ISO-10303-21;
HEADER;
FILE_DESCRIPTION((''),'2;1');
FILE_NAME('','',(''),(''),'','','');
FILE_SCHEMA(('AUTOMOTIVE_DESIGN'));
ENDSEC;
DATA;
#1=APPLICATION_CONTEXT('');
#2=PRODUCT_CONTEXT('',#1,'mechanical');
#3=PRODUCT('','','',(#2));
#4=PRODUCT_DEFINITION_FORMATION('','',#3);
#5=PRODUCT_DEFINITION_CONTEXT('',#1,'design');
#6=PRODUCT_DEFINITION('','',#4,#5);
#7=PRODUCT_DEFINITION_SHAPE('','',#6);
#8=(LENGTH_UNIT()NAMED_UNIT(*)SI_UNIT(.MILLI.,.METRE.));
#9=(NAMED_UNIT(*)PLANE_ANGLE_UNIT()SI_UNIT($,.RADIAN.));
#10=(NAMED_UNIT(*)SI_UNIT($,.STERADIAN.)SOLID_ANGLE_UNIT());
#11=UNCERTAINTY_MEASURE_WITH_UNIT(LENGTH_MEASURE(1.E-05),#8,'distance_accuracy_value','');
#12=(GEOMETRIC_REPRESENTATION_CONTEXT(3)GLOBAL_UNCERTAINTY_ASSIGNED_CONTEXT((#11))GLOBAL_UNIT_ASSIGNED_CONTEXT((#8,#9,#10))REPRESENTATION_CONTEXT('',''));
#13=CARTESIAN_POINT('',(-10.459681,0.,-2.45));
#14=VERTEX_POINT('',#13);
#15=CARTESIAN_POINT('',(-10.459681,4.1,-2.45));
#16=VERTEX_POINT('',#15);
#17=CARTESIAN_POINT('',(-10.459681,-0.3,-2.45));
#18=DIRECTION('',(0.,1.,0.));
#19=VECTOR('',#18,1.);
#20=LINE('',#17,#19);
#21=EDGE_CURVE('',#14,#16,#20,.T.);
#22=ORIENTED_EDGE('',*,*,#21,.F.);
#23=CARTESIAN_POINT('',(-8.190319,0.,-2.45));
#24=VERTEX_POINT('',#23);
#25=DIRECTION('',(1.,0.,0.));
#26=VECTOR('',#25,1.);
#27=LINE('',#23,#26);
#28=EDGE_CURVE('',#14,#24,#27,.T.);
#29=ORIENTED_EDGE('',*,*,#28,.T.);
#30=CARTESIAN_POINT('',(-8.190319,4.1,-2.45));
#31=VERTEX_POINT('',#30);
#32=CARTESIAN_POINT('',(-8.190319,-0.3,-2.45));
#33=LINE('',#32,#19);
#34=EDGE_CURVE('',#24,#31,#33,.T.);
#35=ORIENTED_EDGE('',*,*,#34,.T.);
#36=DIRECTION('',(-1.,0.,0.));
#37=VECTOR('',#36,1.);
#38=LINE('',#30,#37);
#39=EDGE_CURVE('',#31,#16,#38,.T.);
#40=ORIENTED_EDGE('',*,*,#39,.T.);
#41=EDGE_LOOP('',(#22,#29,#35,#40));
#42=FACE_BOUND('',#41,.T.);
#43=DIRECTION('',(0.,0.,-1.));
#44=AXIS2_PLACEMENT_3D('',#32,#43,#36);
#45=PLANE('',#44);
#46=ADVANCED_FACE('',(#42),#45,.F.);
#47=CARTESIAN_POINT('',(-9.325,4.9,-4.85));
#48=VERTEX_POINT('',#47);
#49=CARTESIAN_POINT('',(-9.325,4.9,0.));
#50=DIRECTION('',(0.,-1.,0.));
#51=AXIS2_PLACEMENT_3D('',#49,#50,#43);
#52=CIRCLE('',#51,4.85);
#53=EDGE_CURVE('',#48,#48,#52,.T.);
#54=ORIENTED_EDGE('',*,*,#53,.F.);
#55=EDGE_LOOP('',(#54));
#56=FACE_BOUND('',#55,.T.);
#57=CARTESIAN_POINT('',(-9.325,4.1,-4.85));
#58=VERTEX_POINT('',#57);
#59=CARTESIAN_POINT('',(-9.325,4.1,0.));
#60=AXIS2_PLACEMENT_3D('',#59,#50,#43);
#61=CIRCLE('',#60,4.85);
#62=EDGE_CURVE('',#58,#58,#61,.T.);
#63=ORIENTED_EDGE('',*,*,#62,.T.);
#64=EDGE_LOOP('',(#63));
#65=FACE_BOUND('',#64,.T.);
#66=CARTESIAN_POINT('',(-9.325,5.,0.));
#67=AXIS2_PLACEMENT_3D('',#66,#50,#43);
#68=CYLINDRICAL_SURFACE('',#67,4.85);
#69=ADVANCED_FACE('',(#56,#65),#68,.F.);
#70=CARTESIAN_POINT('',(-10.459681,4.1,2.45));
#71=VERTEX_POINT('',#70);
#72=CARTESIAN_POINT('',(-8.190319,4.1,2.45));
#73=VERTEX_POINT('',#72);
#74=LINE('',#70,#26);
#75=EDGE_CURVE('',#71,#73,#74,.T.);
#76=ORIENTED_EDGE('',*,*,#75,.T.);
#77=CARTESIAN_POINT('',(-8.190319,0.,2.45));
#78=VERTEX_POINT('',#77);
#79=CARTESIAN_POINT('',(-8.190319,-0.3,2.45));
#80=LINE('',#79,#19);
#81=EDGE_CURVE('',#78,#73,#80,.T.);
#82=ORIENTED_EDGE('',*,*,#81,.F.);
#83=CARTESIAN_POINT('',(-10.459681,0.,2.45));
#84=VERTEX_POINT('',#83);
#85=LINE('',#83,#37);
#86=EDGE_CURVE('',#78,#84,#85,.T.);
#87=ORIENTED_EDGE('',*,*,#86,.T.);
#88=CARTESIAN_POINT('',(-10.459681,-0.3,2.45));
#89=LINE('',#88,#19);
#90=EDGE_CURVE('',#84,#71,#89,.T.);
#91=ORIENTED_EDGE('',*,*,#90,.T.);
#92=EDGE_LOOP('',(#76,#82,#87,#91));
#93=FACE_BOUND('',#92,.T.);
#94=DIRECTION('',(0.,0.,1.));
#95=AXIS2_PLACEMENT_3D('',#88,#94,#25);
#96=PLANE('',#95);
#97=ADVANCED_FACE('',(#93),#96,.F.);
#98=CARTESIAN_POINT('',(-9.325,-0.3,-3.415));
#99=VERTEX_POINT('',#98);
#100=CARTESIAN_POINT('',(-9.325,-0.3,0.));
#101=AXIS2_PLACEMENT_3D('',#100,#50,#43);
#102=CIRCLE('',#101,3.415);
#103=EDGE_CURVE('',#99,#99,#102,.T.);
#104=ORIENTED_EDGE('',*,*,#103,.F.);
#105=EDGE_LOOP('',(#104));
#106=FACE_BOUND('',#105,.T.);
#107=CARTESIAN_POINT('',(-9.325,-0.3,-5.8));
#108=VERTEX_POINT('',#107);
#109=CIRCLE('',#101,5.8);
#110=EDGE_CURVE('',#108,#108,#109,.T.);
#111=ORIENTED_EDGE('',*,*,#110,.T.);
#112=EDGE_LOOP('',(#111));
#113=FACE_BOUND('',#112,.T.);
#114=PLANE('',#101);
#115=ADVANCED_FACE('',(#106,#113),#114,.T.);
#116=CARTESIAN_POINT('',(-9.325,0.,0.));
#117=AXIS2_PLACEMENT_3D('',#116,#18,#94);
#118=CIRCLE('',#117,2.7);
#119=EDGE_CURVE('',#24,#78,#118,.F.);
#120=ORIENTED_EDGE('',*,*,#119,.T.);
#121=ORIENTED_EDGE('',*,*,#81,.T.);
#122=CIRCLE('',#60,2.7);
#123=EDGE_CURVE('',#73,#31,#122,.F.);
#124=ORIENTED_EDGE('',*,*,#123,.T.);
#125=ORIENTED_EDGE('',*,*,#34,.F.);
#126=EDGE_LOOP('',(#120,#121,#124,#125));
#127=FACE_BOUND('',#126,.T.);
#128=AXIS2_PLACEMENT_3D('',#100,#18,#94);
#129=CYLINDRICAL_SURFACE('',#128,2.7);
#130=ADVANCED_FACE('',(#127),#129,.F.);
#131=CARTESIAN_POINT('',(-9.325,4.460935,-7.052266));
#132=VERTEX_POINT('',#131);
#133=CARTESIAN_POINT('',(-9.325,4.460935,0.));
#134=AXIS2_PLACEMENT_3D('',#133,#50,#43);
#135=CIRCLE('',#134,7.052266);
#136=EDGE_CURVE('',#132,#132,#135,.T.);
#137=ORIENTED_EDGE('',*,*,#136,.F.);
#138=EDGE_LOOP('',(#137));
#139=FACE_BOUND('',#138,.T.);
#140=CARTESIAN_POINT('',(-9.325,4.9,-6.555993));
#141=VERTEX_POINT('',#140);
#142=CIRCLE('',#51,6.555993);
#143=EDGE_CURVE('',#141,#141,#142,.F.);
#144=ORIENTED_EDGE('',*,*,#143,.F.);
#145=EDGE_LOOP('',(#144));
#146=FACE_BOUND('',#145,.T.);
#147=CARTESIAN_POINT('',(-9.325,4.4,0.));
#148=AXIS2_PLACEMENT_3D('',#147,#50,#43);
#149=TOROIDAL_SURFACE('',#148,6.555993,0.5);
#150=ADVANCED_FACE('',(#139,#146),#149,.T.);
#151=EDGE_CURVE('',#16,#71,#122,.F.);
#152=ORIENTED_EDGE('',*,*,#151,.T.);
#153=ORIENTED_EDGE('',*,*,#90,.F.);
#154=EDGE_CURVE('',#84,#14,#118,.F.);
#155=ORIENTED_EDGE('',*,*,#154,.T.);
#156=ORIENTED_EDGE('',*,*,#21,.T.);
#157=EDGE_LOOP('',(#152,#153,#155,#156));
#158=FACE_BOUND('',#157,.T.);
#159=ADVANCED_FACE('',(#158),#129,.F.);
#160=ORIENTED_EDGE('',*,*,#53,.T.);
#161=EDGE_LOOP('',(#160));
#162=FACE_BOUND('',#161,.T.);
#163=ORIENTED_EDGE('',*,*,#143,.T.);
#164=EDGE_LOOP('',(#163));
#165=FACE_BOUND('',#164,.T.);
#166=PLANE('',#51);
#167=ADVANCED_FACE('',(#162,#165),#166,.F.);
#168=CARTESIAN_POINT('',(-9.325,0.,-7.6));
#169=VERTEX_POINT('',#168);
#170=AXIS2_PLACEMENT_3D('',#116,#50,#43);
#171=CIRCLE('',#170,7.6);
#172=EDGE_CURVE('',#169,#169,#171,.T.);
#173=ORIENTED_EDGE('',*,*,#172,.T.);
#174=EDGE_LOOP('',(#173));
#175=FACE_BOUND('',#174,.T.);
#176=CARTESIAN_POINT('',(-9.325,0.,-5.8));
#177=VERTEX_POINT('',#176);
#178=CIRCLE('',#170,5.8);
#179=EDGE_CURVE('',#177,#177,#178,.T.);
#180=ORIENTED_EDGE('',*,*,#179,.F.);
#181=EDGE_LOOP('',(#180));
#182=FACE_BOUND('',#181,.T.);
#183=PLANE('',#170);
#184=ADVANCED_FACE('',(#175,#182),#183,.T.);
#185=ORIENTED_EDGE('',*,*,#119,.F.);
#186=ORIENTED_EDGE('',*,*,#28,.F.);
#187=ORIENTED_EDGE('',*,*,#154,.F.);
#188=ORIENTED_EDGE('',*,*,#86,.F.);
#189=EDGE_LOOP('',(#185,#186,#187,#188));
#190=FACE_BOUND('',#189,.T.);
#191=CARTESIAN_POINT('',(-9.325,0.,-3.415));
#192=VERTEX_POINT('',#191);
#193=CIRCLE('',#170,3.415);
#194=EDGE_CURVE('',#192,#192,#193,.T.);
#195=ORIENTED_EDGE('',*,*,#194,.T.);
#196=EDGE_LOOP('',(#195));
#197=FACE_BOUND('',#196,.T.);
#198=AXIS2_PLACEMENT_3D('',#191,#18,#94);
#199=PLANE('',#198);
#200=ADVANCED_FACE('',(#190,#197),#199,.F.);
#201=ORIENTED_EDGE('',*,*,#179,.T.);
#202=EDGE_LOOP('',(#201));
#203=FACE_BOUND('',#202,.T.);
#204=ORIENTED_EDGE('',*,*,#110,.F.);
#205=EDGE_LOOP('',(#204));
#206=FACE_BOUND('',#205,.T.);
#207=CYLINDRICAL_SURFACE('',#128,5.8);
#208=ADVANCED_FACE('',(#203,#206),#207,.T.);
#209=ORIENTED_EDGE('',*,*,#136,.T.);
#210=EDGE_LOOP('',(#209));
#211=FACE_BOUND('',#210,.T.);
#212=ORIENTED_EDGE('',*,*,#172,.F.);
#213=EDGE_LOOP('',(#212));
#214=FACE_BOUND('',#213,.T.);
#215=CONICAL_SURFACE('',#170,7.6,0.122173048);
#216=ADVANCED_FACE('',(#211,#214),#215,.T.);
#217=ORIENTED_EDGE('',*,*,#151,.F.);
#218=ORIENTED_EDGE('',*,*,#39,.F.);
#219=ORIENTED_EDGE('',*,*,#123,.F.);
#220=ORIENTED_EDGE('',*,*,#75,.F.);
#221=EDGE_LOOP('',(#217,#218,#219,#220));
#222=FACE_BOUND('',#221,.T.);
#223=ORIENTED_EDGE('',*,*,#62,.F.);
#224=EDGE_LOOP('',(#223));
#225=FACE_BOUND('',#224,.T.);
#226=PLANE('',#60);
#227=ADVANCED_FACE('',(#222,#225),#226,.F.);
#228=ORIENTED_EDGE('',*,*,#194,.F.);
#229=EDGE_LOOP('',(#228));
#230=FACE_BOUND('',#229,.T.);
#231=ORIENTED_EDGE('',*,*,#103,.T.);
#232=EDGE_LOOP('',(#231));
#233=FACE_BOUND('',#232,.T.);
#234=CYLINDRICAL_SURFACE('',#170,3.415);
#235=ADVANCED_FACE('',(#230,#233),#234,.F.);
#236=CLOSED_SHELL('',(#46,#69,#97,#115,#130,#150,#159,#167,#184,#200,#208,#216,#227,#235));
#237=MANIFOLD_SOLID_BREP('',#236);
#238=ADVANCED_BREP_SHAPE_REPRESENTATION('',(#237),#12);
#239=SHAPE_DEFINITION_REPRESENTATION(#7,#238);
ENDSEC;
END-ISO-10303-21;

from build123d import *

# Parameters (mm, degrees)
SALIENTE_EXTRUIR1_DEPTH    = 4.9
SALIENTE_EXTRUIR1_TAPER    = 7
CROQUIS2_R                 = 5.8
SALIENTE_EXTRUIR2_DEPTH    = 0.3
CORTAR_EXTRUIR1_DEPTH      = 6.2
CROQUIS4_R                 = 5.8
SALIENTE_EXTRUIR3_DEPTH    = 0.3
CORTAR_EXTRUIR2_DEPTH      = 6.2
CORTAR_EXTRUIR3_DEPTH      = 3.75
CROQUIS7_W                 = 4.85
CROQUIS7_H                 = 0.9
CROQUIS8_W                 = 4.85
CROQUIS8_H                 = 0.9
CROQUIS9_W                 = 3.415
CROQUIS9_H                 = 0.3
CROQUIS10_W                = 3.415
CROQUIS10_H                = 0.3
CROQUIS11_OUTSIDE_W        = 43.344
CROQUIS11_OUTSIDE_H        = 24.694
CROQUIS11_OUTSIDE_R        = 6.99
CORTAR_EXTRUIR8_DEPTH      = 5.9000001
CORTAR_EXTRUIR8_DEPTH_BACK = 1.3
CROQUIS20_R                = 7.6
CROQUIS20_R_2              = 5.8
SALIENTE_EXTRUIR11_DEPTH   = 4.9
SALIENTE_EXTRUIR11_TAPER   = 7
REDONDEO6_R                = 0.5


with BuildPart() as part:
    # Croquis1 → Saliente-Extruir1 (new body)
    with BuildSketch(Plane.XZ):
        with BuildLine():
            Line((-9.325, -7.6), (9.325, -7.6))
            ThreePointArc((9.325, -7.6), (16.925, 0), (9.325, 7.6))
            Line((9.325, 7.6), (-9.325, 7.6))
            ThreePointArc((-9.325, 7.6), (-16.925, 0), (-9.325, -7.6))
        make_face()
    extrude(amount=-SALIENTE_EXTRUIR1_DEPTH, taper=SALIENTE_EXTRUIR1_TAPER)

    # Croquis2 → Saliente-Extruir2 (add)
    with BuildSketch(Plane.XZ):
        with Locations((9.325, 0)):
            Circle(CROQUIS2_R)
    extrude(amount=SALIENTE_EXTRUIR2_DEPTH)

    # Croquis3 → Cortar-Extruir1 (cut, through all)
    with BuildSketch(Plane(origin=(0, 4.9, 0), x_dir=(-1, 0, 0), z_dir=(0, 1, 0))):
        with BuildLine():
            Line((-10.459680572, -2.45), (-8.190319428, -2.45))
            ThreePointArc((-8.190319428, -2.45), (-6.625, 0), (-8.190319428, 2.45))
            Line((-8.190319428, 2.45), (-10.459680572, 2.45))
            ThreePointArc((-10.459680572, 2.45), (-12.025, 0), (-10.459680572, -2.45))
        make_face()
    extrude(amount=-CORTAR_EXTRUIR1_DEPTH, mode=Mode.SUBTRACT)

    # Croquis4 → Saliente-Extruir3 (add)
    with BuildSketch(Plane.XZ):
        with Locations((-9.325, 0)):
            Circle(CROQUIS4_R)
    extrude(amount=SALIENTE_EXTRUIR3_DEPTH)

    # Croquis5 → Cortar-Extruir2 (cut, through all)
    with BuildSketch(Plane(origin=(0, 4.9, 0), x_dir=(-1, 0, 0), z_dir=(0, 1, 0))):
        with BuildLine():
            Line((10.459680572, 2.45), (8.190319428, 2.45))
            ThreePointArc((8.190319428, 2.45), (6.625, 0), (8.190319428, -2.45))
            Line((8.190319428, -2.45), (10.459680572, -2.45))
            ThreePointArc((10.459680572, -2.45), (12.025, 0), (10.459680572, 2.45))
        make_face()
    extrude(amount=-CORTAR_EXTRUIR2_DEPTH, mode=Mode.SUBTRACT)

    # Croquis6 → Cortar-Extruir3 (cut)
    with BuildSketch(Plane.XZ):
        with BuildLine():
            Line((-2.15, 2.8), (-2.15, -2.8))
            ThreePointArc((-2.15, -2.8), (0, -4.95), (2.15, -2.8))
            Line((2.15, -2.8), (2.15, 2.8))
            ThreePointArc((2.15, 2.8), (0, 4.95), (-2.15, 2.8))
        make_face()
    extrude(amount=-CORTAR_EXTRUIR3_DEPTH, mode=Mode.SUBTRACT)

    # Croquis7 → Cortar-Revolución1 (revolve, cut)
    with BuildSketch(Plane(origin=(-9.325, 0, 0), x_dir=(0, 0, -1), z_dir=(1, 0, 0))):
        with Locations((2.425, 4.55)):
            Rectangle(CROQUIS7_W, CROQUIS7_H)
    revolve(axis=Axis((-9.325, 5, 0), (0, -1, 0)), mode=Mode.SUBTRACT)

    # Croquis8 → Cortar-Revolución2 (revolve, cut)
    with BuildSketch(Plane(origin=(9.325, 0, 0), x_dir=(0, 0, -1), z_dir=(1, 0, 0))):
        with Locations((2.425, 4.55)):
            Rectangle(CROQUIS8_W, CROQUIS8_H)
    revolve(axis=Axis((9.325, 5, 0), (0, -1, 0)), mode=Mode.SUBTRACT)

    # Croquis9 → Cortar-Revolución3 (revolve, cut)
    with BuildSketch(Plane(origin=(-9.325, 0, 0), x_dir=(0, 0, -1), z_dir=(1, 0, 0))):
        with Locations((1.7075, -0.15)):
            Rectangle(CROQUIS9_W, CROQUIS9_H)
    revolve(axis=Axis((-9.325, 0, 0), (0, -1, 0)), mode=Mode.SUBTRACT)

    # Croquis10 → Cortar-Revolución4 (revolve, cut)
    with BuildSketch(Plane(origin=(9.325, 0, 0), x_dir=(0, 0, -1), z_dir=(1, 0, 0))):
        with Locations((1.7075, -0.15)):
            Rectangle(CROQUIS10_W, CROQUIS10_H)
    revolve(axis=Axis((9.325, 0, 0), (0, -1, 0)), mode=Mode.SUBTRACT)

    # Croquis11 outside → Cortar-Extruir8 (cut, two sides)
    with BuildSketch(Plane(origin=(0, 0, 0), x_dir=(1, 0, 0), z_dir=(0, 1, 0))) as cortar_extruir8_sk:
        Rectangle(CROQUIS11_OUTSIDE_W, CROQUIS11_OUTSIDE_H)
        with Locations((-9.325, 0)):
            Circle(CROQUIS11_OUTSIDE_R, mode=Mode.SUBTRACT)
    extrude(amount=CORTAR_EXTRUIR8_DEPTH, mode=Mode.SUBTRACT)
    extrude(cortar_extruir8_sk.sketch, amount=-CORTAR_EXTRUIR8_DEPTH_BACK, mode=Mode.SUBTRACT)

    # Croquis20 → Saliente-Extruir11 (add)
    with BuildSketch(Plane.XZ):
        with Locations((-9.325, 0)):
            Circle(CROQUIS20_R)
        with Locations((-9.325, 0)):
            Circle(CROQUIS20_R_2, mode=Mode.SUBTRACT)
    extrude(amount=-SALIENTE_EXTRUIR11_DEPTH, taper=SALIENTE_EXTRUIR11_TAPER)

    # Redondeo6
    redondeo6_edges = [part.edges().sort_by_distance(p)[0] for p in [
        (-16.323355652, 4.9, 0),
    ]]
    fillet(redondeo6_edges, radius=REDONDEO6_R)


solid = part.part
